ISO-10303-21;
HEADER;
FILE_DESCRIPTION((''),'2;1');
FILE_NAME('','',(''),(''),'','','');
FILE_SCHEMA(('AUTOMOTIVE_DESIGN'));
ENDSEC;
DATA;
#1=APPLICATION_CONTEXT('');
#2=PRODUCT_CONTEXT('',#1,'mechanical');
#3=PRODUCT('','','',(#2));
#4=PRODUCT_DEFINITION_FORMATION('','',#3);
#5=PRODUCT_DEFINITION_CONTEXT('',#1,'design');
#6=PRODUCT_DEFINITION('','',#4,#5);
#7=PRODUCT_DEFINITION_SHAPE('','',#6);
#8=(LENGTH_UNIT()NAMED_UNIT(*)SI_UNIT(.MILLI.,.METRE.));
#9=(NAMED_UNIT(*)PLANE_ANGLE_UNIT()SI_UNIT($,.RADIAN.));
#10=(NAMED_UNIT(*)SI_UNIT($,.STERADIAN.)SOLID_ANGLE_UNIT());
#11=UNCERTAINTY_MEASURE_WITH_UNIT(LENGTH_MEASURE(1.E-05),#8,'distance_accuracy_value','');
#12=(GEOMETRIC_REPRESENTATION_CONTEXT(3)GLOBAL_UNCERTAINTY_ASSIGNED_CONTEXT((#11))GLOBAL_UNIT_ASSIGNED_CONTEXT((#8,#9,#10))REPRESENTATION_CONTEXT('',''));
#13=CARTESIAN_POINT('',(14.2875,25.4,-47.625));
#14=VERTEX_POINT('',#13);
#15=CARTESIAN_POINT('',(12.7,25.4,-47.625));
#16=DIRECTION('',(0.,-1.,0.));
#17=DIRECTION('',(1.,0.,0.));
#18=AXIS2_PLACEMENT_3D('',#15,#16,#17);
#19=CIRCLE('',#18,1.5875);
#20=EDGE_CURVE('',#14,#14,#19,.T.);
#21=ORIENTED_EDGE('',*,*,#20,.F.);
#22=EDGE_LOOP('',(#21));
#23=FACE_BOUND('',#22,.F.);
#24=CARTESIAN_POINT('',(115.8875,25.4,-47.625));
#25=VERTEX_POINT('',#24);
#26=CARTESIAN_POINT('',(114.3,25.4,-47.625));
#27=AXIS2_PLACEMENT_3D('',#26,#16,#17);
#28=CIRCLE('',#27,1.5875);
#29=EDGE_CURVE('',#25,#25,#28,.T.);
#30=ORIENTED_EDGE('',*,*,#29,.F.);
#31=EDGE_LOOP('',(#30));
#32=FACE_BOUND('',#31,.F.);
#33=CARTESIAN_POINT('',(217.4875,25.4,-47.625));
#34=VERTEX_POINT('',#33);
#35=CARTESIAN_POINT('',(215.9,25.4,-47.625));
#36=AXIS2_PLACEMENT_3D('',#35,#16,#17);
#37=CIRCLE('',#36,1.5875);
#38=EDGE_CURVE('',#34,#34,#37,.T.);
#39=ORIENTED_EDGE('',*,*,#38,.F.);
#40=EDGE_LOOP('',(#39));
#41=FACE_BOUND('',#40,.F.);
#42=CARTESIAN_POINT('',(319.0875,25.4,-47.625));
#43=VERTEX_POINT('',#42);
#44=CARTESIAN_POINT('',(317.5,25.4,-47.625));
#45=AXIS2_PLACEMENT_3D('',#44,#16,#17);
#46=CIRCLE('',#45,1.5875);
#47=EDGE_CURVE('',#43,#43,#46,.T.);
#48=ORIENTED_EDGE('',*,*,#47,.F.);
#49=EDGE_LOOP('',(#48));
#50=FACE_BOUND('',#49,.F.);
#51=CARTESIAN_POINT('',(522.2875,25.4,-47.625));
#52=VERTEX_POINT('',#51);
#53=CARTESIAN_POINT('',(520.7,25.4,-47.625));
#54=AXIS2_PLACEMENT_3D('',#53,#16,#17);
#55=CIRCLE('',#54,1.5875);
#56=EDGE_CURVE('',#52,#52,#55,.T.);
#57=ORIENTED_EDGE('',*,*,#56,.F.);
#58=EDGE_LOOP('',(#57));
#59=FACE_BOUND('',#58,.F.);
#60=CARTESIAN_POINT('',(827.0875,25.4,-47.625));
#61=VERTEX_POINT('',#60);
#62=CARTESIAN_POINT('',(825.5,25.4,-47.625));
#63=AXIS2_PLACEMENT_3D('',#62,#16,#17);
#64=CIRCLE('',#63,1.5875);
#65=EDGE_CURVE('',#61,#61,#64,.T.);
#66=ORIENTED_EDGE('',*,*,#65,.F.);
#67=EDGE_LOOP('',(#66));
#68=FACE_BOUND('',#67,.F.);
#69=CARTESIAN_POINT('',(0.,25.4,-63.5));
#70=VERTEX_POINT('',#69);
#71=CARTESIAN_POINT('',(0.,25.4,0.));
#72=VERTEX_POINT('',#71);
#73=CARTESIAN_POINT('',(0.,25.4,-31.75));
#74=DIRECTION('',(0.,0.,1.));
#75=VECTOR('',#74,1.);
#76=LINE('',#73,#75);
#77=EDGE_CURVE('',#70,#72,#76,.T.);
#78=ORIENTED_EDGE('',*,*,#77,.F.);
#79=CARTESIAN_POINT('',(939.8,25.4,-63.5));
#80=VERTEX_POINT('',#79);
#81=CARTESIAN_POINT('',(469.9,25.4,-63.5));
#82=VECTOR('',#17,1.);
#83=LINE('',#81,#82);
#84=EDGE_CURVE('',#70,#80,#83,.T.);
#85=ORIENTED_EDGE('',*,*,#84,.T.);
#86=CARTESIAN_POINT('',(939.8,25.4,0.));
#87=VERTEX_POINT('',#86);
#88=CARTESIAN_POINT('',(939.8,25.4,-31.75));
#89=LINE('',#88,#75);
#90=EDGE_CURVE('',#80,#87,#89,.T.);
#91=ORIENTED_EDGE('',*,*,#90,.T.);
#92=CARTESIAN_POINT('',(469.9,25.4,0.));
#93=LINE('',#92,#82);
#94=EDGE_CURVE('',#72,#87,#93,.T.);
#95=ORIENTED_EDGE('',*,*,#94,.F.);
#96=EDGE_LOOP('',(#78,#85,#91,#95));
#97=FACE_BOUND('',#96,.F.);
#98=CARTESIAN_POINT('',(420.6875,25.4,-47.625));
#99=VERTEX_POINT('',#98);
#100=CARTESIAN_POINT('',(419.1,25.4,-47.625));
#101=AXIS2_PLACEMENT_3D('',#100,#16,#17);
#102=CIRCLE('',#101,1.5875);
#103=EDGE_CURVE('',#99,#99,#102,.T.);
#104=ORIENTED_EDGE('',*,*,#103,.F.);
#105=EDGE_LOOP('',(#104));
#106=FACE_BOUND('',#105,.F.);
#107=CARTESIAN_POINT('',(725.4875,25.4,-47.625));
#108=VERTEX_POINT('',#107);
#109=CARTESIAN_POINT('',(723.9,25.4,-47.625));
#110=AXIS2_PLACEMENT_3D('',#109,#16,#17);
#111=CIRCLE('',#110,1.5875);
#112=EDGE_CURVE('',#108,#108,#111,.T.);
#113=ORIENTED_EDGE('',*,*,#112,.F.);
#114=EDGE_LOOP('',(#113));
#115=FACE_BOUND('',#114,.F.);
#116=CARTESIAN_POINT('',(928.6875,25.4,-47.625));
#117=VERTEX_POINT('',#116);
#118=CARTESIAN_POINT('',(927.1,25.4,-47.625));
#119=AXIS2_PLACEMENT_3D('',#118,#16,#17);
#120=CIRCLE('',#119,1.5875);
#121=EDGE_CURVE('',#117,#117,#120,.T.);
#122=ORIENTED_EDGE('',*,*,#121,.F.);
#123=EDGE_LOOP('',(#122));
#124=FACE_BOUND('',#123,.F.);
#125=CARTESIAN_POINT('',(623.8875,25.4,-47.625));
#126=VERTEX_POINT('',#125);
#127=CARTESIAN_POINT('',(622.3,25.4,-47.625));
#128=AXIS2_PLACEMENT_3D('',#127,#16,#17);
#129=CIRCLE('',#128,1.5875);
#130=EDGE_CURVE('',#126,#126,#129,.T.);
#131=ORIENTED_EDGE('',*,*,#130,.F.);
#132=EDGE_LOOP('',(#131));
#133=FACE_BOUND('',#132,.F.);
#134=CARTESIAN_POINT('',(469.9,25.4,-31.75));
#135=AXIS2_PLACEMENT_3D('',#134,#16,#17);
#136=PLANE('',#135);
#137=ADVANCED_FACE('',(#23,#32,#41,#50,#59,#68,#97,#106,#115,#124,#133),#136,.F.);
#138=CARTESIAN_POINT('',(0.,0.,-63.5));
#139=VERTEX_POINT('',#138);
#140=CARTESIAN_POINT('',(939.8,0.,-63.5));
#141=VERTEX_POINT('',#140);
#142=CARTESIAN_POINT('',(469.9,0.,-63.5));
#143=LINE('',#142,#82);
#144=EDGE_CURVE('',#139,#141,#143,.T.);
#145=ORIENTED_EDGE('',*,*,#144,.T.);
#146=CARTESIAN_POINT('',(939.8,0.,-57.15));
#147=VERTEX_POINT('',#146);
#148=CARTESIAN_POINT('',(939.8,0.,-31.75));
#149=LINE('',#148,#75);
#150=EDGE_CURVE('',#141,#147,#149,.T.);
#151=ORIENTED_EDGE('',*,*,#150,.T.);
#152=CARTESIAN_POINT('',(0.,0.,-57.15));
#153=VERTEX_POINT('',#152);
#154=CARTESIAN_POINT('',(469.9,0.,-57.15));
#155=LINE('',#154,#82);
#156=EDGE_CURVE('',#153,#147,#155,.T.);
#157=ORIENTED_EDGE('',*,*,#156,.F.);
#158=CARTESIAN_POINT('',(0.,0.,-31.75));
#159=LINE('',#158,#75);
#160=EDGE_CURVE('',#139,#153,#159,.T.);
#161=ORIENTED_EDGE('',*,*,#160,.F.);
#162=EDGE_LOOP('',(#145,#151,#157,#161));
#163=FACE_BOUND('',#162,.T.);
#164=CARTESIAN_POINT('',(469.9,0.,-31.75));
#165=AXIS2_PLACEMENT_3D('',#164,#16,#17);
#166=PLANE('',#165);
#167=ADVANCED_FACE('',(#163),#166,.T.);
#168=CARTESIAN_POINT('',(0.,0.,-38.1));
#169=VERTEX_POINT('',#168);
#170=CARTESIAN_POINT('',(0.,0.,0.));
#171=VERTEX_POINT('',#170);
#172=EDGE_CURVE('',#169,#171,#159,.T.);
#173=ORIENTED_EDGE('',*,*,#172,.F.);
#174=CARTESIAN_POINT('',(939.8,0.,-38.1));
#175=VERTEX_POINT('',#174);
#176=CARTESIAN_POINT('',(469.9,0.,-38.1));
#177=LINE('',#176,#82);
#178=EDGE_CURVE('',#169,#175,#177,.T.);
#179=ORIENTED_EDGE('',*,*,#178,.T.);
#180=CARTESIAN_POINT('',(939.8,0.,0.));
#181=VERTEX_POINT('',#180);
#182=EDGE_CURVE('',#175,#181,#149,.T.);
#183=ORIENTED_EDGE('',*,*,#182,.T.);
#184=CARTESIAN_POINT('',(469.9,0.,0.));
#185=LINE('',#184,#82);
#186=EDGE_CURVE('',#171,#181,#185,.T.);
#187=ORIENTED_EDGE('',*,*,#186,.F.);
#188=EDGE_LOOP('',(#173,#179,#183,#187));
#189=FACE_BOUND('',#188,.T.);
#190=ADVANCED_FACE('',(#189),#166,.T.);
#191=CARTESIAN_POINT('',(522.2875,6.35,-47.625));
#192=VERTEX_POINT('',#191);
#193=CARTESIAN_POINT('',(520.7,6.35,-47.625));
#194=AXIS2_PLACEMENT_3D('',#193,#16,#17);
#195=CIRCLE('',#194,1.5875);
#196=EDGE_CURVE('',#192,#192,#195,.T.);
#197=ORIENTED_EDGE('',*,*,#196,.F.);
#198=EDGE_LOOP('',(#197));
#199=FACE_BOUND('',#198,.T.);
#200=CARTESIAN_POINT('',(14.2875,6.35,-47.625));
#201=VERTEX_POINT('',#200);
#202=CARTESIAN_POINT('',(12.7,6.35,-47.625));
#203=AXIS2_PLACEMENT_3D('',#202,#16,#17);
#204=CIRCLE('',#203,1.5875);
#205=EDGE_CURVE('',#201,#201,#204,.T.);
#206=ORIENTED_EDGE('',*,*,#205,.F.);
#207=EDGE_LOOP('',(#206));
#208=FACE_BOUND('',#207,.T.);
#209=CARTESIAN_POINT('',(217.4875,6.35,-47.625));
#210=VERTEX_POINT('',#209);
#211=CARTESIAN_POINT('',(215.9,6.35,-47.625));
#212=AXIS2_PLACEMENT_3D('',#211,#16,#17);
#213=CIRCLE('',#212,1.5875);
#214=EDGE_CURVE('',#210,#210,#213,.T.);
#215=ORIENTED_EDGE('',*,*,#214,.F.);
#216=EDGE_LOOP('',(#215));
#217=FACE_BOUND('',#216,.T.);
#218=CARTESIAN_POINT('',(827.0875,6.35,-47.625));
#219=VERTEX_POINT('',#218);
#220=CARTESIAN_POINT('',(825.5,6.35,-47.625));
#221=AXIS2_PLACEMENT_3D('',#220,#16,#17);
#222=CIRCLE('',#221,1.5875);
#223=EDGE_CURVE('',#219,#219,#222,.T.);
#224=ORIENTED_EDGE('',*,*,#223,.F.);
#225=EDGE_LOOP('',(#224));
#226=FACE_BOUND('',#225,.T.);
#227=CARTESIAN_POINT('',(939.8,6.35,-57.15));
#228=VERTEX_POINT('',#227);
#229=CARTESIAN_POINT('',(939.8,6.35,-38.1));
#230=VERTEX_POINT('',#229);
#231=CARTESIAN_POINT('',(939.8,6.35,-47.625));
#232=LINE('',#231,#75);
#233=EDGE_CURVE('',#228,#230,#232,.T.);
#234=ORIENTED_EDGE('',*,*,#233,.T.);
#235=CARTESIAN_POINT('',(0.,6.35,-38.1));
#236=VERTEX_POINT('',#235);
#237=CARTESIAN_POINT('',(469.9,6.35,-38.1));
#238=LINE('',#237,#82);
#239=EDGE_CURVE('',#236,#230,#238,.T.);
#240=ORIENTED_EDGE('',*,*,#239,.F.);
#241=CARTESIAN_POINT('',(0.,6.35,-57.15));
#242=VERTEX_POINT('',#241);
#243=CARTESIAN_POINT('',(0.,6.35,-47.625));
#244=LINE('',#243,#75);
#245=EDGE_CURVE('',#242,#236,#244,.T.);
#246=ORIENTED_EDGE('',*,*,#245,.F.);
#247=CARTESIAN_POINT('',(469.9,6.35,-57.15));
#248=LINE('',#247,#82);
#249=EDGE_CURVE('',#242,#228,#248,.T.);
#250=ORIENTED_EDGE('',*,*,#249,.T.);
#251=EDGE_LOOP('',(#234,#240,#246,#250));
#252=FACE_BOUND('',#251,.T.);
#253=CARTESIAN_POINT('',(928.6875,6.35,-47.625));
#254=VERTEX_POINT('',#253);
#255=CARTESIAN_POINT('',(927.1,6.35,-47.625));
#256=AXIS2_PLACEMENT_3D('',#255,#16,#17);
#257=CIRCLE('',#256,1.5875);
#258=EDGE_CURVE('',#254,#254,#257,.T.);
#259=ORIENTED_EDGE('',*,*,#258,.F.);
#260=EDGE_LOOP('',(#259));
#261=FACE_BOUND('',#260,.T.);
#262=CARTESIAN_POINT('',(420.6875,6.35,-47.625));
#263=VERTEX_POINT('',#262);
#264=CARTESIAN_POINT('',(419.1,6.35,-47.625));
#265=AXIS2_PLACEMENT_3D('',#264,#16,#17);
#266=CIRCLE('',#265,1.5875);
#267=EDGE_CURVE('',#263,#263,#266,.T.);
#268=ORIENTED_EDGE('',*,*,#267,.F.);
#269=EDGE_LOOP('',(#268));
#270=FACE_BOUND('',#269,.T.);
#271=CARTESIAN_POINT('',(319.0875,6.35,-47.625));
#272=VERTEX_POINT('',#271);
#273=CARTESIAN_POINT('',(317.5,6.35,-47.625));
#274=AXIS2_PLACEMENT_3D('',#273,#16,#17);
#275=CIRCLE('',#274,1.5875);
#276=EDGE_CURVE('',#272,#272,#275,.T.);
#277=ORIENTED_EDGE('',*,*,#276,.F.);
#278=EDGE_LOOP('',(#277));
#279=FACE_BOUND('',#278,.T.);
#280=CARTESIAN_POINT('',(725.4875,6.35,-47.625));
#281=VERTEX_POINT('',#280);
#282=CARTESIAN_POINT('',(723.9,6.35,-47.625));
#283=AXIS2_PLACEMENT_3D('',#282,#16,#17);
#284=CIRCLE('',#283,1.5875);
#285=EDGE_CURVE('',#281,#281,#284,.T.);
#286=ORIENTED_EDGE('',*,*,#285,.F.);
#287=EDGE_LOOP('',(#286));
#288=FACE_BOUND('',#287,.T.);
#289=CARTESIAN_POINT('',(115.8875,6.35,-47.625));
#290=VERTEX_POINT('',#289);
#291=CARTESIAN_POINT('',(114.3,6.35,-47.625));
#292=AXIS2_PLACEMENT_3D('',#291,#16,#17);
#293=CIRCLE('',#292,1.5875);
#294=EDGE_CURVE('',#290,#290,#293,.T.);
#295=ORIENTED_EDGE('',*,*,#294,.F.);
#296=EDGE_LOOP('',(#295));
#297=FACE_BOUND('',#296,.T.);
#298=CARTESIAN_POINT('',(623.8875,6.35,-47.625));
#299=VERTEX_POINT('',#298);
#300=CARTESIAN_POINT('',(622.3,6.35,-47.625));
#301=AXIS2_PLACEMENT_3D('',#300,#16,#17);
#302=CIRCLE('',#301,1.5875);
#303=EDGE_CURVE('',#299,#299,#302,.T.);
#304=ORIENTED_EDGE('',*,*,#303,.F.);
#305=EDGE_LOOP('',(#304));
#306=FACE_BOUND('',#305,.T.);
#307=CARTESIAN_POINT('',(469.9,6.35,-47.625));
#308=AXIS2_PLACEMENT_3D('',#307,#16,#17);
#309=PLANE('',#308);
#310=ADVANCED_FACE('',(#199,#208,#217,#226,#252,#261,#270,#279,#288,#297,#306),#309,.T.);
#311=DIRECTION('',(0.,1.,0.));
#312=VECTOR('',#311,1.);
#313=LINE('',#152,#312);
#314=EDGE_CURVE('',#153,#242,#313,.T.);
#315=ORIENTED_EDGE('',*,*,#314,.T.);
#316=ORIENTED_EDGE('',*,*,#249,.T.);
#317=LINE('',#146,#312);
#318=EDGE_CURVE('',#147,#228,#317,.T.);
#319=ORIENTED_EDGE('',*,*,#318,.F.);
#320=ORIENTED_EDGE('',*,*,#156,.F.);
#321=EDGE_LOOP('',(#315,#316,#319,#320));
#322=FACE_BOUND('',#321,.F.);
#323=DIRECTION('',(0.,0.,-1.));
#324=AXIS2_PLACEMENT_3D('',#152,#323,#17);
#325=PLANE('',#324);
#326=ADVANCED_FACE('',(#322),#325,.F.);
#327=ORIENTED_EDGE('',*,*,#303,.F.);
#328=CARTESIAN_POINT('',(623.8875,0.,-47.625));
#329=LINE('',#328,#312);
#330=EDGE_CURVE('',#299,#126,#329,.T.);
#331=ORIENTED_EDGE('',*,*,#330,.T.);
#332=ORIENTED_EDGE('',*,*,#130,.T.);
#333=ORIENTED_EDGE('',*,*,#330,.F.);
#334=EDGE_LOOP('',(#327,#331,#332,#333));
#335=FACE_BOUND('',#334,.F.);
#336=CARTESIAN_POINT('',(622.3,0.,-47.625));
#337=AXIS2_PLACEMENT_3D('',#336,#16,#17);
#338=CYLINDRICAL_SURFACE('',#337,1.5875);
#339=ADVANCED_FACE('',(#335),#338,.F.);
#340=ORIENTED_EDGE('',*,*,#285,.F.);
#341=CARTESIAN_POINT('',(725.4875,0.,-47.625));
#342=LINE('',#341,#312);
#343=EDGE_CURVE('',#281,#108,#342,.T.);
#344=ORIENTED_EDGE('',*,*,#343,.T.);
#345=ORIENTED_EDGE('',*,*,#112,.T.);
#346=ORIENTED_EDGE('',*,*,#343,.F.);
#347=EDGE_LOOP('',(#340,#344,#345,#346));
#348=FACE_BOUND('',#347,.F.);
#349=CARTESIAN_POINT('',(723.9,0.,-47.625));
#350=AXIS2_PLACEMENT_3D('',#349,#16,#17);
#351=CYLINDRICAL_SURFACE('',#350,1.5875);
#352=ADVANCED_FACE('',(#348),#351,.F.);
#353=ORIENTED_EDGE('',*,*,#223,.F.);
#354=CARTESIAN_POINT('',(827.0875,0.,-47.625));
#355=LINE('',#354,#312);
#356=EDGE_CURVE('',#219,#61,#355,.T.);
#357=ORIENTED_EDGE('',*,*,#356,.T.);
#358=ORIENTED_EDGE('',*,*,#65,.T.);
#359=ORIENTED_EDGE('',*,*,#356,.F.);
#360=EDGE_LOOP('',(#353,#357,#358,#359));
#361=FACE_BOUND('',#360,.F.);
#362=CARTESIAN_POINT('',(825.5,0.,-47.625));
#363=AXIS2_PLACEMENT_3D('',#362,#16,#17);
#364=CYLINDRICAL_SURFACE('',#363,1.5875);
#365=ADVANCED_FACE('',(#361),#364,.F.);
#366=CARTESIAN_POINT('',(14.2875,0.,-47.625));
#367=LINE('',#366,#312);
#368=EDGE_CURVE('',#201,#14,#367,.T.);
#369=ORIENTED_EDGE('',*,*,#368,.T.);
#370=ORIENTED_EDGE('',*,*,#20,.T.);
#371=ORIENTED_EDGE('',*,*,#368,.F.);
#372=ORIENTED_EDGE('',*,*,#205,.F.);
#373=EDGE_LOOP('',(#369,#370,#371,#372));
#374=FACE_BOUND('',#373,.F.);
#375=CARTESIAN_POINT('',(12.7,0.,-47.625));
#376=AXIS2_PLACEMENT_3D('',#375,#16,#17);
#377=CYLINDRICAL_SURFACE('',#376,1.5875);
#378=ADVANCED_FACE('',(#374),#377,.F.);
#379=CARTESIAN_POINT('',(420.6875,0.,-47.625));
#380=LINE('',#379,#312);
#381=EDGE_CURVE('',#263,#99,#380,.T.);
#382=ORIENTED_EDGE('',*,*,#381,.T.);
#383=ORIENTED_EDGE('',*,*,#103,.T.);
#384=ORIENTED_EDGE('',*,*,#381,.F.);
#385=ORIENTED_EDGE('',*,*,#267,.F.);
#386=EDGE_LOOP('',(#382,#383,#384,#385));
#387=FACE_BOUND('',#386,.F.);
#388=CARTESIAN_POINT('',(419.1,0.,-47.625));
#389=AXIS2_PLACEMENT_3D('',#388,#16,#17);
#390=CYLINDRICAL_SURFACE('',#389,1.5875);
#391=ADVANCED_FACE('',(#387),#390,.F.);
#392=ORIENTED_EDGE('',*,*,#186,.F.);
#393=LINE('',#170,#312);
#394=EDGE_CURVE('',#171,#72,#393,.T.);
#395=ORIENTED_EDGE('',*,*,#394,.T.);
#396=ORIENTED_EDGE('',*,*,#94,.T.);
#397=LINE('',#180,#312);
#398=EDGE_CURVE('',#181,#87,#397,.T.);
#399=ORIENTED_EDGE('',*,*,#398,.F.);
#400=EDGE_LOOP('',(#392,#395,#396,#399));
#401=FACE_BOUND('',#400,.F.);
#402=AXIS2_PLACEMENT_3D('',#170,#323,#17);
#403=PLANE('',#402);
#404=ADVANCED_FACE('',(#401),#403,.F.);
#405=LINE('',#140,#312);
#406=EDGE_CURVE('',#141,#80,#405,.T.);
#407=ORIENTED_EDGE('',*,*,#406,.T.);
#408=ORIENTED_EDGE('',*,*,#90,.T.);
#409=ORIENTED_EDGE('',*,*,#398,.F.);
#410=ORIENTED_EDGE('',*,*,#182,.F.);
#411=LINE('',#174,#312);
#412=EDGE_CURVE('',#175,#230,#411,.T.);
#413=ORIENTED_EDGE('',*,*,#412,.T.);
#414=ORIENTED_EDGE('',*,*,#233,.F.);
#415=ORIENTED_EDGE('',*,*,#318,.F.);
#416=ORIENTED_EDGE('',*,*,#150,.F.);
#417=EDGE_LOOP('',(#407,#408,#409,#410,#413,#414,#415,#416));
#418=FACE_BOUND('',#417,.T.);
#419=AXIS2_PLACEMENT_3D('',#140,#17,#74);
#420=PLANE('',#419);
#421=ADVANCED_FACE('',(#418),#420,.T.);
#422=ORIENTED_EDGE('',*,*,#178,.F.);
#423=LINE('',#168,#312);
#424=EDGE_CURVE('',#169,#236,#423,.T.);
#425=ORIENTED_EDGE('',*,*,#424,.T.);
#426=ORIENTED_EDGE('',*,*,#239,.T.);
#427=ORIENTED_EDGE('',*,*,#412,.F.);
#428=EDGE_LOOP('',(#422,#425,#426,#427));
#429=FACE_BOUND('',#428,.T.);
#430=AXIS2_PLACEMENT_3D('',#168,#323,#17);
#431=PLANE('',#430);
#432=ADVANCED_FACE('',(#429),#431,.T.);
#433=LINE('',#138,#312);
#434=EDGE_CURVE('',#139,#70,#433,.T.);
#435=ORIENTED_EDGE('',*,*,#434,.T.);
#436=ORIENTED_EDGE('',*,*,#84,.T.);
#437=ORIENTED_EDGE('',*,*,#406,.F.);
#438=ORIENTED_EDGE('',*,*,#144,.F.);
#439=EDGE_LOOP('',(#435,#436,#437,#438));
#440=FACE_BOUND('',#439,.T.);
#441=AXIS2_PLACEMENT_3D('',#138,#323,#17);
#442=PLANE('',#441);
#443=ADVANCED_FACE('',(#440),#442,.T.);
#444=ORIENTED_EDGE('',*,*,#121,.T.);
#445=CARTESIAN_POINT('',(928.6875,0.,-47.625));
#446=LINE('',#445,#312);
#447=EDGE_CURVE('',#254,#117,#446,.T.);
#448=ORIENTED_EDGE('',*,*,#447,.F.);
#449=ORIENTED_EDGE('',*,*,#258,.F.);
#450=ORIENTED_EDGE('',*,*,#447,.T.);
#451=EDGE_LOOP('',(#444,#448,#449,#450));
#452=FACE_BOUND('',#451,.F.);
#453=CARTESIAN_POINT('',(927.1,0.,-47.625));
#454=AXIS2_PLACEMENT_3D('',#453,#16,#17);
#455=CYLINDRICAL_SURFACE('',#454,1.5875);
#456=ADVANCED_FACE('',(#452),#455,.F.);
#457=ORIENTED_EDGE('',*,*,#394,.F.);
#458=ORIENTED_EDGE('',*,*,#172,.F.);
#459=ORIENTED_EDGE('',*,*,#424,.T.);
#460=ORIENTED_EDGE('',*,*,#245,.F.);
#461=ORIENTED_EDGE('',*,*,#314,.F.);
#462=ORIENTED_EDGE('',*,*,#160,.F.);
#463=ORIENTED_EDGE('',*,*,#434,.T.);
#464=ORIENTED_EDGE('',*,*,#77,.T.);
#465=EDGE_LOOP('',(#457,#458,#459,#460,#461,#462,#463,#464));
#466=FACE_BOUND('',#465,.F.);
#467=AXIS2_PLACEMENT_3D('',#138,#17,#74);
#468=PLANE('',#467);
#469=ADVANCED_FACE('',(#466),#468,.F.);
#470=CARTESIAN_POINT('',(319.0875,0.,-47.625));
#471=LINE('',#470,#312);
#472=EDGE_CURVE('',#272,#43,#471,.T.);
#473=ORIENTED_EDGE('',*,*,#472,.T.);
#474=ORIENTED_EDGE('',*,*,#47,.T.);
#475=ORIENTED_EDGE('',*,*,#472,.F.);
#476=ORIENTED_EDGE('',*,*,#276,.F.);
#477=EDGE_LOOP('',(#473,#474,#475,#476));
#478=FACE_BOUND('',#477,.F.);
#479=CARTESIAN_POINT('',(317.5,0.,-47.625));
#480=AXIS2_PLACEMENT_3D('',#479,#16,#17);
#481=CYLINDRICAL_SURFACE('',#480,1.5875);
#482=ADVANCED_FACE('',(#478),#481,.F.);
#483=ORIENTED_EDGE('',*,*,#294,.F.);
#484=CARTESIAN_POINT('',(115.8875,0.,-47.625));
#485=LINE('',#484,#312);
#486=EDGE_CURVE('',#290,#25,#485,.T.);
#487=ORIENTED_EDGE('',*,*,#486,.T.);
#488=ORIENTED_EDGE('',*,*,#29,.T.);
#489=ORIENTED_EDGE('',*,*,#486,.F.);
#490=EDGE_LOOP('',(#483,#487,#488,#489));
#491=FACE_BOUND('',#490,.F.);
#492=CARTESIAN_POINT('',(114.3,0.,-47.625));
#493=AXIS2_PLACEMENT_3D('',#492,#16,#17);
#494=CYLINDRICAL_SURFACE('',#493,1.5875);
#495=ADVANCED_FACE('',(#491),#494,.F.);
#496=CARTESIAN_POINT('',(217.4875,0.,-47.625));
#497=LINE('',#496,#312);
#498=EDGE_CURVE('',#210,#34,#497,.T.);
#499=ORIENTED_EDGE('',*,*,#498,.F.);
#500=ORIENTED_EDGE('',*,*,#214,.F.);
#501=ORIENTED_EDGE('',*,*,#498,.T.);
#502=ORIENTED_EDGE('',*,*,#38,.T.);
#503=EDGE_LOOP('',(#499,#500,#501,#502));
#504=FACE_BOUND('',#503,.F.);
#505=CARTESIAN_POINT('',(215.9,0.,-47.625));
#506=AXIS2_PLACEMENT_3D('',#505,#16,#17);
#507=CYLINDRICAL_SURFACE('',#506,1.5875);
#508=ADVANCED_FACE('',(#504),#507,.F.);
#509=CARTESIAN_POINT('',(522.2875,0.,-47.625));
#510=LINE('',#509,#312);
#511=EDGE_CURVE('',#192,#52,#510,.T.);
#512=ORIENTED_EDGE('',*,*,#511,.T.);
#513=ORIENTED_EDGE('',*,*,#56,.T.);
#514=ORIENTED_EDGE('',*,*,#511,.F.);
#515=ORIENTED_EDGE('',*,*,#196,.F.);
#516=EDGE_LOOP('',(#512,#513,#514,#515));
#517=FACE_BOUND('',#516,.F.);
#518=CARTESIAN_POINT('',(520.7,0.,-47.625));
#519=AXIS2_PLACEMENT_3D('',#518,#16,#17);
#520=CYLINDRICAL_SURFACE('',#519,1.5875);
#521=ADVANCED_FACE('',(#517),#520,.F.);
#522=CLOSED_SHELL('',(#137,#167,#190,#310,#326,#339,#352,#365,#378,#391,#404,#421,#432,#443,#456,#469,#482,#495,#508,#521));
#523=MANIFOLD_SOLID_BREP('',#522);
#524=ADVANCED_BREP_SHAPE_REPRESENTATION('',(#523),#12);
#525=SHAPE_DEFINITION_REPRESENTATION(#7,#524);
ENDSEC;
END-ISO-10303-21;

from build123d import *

# Parameters (mm, degrees)
F0_W     = 939.8
F0_H     = 63.5
F1_DEPTH = 25.4
F2_W     = 939.8
F2_H     = 19.05
F3_DEPTH = 6.35
F4_R     = 1.5875
F5_DEPTH = 25.401


with BuildPart() as f1:
    # F0 (on Front) → F1 (new body)
    with BuildSketch(Plane.XZ):
        with Locations((469.9, -31.75)):
            Rectangle(F0_W, F0_H)
    extrude(amount=-F1_DEPTH)

    # F2 (on Front) → F3 (cut)
    with BuildSketch(Plane.XZ):
        with Locations((469.9, -47.625)):
            Rectangle(F2_W, F2_H)
    extrude(amount=-F3_DEPTH, mode=Mode.SUBTRACT)

    # F4 (on Front) → F5 (cut, through all)
    with BuildSketch(Plane.XZ):
        with Locations((12.7, -47.625)):
            Circle(F4_R)
        with Locations((114.3, -47.625)):
            Circle(F4_R)
        with Locations((215.9, -47.625)):
            Circle(F4_R)
        with Locations((317.5, -47.625)):
            Circle(F4_R)
        with Locations((419.1, -47.625)):
            Circle(F4_R)
        with Locations((520.7, -47.625)):
            Circle(F4_R)
        with Locations((622.3, -47.625)):
            Circle(F4_R)
        with Locations((723.9, -47.625)):
            Circle(F4_R)
        with Locations((825.5, -47.625)):
            Circle(F4_R)
        with Locations((927.1, -47.625)):
            Circle(F4_R)
    extrude(amount=-F5_DEPTH, mode=Mode.SUBTRACT)


solid = f1.part
